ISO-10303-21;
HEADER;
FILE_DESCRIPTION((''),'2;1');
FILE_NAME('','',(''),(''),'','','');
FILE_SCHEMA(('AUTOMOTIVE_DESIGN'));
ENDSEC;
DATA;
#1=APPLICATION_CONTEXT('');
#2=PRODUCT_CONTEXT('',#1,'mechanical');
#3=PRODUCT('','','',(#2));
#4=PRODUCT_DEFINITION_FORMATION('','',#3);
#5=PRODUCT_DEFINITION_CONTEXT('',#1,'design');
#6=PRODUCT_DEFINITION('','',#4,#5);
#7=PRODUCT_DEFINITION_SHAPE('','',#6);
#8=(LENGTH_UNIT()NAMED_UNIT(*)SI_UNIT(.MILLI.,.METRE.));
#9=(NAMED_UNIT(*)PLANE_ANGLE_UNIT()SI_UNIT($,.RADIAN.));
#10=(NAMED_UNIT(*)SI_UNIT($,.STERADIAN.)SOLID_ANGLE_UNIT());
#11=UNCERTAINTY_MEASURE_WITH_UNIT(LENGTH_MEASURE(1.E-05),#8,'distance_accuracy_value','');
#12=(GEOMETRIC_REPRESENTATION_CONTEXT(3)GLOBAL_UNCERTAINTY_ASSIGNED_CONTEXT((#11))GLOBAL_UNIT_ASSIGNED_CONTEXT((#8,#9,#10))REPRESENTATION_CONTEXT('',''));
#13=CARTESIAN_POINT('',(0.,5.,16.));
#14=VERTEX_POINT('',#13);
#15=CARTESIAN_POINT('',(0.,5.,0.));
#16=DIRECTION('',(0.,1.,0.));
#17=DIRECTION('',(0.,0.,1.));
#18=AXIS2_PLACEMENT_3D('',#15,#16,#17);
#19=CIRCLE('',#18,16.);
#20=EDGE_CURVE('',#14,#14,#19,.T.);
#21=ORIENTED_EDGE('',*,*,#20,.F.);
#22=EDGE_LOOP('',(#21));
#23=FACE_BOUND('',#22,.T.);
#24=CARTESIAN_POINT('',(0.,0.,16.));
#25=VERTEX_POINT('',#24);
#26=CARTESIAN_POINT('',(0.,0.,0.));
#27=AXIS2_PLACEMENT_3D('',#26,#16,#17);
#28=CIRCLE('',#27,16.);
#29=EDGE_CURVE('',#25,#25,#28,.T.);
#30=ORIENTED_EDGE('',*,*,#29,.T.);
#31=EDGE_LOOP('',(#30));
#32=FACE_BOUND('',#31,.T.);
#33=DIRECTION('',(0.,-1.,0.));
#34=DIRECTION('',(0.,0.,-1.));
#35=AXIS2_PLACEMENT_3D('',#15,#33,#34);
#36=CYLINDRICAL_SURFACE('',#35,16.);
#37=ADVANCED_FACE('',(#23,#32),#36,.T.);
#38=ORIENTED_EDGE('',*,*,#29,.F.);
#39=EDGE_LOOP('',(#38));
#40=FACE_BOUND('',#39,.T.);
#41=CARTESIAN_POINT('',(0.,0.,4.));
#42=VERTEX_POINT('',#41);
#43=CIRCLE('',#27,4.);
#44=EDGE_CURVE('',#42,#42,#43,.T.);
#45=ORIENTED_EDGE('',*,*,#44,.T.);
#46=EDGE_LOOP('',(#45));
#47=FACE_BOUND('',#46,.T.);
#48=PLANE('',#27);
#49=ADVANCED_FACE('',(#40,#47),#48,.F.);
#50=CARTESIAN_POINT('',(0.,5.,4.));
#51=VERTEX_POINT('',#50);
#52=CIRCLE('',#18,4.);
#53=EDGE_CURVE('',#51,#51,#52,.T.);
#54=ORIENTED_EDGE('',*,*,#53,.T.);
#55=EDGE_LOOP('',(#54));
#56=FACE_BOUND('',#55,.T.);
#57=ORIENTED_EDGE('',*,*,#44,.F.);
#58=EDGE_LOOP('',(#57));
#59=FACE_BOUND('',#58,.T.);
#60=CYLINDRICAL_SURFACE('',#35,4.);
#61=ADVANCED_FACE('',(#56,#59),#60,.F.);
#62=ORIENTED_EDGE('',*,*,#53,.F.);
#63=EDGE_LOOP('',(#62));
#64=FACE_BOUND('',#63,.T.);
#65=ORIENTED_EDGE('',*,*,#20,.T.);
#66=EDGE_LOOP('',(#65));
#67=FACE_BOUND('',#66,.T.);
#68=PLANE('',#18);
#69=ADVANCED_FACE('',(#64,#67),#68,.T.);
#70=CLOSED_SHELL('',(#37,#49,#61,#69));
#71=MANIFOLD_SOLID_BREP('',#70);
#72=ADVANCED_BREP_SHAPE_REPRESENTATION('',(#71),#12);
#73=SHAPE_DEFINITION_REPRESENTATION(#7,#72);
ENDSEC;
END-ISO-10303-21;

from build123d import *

# Parameters (mm, degrees)
SKETCH1_R           = 16
SKETCH1_R_2         = 4
BOSS_EXTRUDE1_DEPTH = 5


with BuildPart() as part:
    # Sketch1 → Boss-Extrude1 (new body)
    with BuildSketch(Plane(origin=(0, 0, 0), x_dir=(1, 0, 0), z_dir=(0, 1, 0))):
        with Locations(Location((0, 0, 0), (0, 0, 270))):
            Circle(SKETCH1_R)
        with Locations(Location((0, 0, 0), (0, 0, 270))):
            Circle(SKETCH1_R_2, mode=Mode.SUBTRACT)
    extrude(amount=BOSS_EXTRUDE1_DEPTH)


solid = part.part
